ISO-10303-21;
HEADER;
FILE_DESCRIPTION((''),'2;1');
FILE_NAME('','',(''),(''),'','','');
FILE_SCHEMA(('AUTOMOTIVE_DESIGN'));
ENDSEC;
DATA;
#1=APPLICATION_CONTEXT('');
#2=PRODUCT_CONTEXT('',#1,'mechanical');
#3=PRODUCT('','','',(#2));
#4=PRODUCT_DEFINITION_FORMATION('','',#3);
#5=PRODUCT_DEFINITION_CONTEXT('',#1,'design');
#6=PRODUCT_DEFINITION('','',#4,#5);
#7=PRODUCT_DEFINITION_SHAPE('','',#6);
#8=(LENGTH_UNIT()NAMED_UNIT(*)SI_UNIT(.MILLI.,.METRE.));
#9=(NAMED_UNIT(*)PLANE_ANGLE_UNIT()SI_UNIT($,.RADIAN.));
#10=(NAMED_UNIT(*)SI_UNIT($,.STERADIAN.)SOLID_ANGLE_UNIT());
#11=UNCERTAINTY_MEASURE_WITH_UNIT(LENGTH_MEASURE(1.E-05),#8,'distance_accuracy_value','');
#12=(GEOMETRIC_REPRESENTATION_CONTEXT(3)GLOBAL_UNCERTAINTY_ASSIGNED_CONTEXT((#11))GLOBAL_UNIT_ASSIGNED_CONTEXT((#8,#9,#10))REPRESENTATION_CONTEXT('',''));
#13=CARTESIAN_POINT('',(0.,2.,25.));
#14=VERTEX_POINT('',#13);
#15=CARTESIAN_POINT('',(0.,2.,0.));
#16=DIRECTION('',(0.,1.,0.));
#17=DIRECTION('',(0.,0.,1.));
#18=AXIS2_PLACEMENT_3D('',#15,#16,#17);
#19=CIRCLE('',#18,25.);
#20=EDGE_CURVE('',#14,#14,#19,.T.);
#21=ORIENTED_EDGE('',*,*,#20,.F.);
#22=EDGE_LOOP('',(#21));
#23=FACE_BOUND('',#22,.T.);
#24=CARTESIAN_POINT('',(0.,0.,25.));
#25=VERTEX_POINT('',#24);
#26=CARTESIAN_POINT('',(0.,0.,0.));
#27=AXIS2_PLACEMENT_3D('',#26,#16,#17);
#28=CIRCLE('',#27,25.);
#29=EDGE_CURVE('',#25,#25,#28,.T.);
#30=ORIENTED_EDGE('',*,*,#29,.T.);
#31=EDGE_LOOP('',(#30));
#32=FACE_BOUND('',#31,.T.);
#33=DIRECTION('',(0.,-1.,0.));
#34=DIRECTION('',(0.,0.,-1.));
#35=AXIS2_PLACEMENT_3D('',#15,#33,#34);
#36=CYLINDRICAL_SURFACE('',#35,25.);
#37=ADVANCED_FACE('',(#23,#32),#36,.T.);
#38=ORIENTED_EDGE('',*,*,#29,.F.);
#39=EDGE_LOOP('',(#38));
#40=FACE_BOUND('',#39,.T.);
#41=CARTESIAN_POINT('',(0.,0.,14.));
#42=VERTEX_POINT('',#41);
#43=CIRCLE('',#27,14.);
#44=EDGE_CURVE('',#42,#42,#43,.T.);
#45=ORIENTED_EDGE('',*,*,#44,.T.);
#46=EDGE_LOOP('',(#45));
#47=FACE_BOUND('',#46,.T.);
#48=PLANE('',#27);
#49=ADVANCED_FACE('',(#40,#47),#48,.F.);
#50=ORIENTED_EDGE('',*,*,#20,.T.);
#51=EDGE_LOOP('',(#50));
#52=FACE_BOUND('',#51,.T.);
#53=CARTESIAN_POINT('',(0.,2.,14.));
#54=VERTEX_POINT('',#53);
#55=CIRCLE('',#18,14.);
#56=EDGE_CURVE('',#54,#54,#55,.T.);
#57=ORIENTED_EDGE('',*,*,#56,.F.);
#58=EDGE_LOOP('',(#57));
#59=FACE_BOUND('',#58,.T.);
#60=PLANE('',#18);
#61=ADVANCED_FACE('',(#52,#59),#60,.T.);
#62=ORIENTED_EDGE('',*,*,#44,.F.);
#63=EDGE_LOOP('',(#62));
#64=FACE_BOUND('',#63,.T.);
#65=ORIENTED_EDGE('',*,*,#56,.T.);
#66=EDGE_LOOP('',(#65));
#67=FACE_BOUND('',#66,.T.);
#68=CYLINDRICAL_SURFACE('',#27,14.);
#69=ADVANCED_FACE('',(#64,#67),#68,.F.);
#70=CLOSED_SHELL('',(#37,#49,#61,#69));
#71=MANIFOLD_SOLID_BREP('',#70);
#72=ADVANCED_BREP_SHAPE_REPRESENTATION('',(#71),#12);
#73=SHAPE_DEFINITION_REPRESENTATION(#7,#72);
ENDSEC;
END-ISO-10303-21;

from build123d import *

# Parameters (mm, degrees)
CROQUIS1_R              = 25
SALIENTE_EXTRUIR1_DEPTH = 2
CROQUIS2_R              = 14
CORTAR_EXTRUIR1_DEPTH   = 36.411862419


with BuildPart() as part:
    # Croquis1 → Saliente-Extruir1 (new body)
    with BuildSketch(Plane(origin=(0, 0, 0), x_dir=(1, 0, 0), z_dir=(0, 1, 0))):
        with Locations(Location((0, 0, 0), (0, 0, 270))):
            Circle(CROQUIS1_R)
    extrude(amount=SALIENTE_EXTRUIR1_DEPTH)

    # Croquis2 → Cortar-Extruir1 (cut, through all)
    with BuildSketch(Plane(origin=(0, 2, 0), x_dir=(1, 0, 0), z_dir=(0, 1, 0))):
        with Locations(Location((0, 0, 0), (0, 0, 270))):
            Circle(CROQUIS2_R)
    extrude(amount=-CORTAR_EXTRUIR1_DEPTH, mode=Mode.SUBTRACT)


solid = part.part
